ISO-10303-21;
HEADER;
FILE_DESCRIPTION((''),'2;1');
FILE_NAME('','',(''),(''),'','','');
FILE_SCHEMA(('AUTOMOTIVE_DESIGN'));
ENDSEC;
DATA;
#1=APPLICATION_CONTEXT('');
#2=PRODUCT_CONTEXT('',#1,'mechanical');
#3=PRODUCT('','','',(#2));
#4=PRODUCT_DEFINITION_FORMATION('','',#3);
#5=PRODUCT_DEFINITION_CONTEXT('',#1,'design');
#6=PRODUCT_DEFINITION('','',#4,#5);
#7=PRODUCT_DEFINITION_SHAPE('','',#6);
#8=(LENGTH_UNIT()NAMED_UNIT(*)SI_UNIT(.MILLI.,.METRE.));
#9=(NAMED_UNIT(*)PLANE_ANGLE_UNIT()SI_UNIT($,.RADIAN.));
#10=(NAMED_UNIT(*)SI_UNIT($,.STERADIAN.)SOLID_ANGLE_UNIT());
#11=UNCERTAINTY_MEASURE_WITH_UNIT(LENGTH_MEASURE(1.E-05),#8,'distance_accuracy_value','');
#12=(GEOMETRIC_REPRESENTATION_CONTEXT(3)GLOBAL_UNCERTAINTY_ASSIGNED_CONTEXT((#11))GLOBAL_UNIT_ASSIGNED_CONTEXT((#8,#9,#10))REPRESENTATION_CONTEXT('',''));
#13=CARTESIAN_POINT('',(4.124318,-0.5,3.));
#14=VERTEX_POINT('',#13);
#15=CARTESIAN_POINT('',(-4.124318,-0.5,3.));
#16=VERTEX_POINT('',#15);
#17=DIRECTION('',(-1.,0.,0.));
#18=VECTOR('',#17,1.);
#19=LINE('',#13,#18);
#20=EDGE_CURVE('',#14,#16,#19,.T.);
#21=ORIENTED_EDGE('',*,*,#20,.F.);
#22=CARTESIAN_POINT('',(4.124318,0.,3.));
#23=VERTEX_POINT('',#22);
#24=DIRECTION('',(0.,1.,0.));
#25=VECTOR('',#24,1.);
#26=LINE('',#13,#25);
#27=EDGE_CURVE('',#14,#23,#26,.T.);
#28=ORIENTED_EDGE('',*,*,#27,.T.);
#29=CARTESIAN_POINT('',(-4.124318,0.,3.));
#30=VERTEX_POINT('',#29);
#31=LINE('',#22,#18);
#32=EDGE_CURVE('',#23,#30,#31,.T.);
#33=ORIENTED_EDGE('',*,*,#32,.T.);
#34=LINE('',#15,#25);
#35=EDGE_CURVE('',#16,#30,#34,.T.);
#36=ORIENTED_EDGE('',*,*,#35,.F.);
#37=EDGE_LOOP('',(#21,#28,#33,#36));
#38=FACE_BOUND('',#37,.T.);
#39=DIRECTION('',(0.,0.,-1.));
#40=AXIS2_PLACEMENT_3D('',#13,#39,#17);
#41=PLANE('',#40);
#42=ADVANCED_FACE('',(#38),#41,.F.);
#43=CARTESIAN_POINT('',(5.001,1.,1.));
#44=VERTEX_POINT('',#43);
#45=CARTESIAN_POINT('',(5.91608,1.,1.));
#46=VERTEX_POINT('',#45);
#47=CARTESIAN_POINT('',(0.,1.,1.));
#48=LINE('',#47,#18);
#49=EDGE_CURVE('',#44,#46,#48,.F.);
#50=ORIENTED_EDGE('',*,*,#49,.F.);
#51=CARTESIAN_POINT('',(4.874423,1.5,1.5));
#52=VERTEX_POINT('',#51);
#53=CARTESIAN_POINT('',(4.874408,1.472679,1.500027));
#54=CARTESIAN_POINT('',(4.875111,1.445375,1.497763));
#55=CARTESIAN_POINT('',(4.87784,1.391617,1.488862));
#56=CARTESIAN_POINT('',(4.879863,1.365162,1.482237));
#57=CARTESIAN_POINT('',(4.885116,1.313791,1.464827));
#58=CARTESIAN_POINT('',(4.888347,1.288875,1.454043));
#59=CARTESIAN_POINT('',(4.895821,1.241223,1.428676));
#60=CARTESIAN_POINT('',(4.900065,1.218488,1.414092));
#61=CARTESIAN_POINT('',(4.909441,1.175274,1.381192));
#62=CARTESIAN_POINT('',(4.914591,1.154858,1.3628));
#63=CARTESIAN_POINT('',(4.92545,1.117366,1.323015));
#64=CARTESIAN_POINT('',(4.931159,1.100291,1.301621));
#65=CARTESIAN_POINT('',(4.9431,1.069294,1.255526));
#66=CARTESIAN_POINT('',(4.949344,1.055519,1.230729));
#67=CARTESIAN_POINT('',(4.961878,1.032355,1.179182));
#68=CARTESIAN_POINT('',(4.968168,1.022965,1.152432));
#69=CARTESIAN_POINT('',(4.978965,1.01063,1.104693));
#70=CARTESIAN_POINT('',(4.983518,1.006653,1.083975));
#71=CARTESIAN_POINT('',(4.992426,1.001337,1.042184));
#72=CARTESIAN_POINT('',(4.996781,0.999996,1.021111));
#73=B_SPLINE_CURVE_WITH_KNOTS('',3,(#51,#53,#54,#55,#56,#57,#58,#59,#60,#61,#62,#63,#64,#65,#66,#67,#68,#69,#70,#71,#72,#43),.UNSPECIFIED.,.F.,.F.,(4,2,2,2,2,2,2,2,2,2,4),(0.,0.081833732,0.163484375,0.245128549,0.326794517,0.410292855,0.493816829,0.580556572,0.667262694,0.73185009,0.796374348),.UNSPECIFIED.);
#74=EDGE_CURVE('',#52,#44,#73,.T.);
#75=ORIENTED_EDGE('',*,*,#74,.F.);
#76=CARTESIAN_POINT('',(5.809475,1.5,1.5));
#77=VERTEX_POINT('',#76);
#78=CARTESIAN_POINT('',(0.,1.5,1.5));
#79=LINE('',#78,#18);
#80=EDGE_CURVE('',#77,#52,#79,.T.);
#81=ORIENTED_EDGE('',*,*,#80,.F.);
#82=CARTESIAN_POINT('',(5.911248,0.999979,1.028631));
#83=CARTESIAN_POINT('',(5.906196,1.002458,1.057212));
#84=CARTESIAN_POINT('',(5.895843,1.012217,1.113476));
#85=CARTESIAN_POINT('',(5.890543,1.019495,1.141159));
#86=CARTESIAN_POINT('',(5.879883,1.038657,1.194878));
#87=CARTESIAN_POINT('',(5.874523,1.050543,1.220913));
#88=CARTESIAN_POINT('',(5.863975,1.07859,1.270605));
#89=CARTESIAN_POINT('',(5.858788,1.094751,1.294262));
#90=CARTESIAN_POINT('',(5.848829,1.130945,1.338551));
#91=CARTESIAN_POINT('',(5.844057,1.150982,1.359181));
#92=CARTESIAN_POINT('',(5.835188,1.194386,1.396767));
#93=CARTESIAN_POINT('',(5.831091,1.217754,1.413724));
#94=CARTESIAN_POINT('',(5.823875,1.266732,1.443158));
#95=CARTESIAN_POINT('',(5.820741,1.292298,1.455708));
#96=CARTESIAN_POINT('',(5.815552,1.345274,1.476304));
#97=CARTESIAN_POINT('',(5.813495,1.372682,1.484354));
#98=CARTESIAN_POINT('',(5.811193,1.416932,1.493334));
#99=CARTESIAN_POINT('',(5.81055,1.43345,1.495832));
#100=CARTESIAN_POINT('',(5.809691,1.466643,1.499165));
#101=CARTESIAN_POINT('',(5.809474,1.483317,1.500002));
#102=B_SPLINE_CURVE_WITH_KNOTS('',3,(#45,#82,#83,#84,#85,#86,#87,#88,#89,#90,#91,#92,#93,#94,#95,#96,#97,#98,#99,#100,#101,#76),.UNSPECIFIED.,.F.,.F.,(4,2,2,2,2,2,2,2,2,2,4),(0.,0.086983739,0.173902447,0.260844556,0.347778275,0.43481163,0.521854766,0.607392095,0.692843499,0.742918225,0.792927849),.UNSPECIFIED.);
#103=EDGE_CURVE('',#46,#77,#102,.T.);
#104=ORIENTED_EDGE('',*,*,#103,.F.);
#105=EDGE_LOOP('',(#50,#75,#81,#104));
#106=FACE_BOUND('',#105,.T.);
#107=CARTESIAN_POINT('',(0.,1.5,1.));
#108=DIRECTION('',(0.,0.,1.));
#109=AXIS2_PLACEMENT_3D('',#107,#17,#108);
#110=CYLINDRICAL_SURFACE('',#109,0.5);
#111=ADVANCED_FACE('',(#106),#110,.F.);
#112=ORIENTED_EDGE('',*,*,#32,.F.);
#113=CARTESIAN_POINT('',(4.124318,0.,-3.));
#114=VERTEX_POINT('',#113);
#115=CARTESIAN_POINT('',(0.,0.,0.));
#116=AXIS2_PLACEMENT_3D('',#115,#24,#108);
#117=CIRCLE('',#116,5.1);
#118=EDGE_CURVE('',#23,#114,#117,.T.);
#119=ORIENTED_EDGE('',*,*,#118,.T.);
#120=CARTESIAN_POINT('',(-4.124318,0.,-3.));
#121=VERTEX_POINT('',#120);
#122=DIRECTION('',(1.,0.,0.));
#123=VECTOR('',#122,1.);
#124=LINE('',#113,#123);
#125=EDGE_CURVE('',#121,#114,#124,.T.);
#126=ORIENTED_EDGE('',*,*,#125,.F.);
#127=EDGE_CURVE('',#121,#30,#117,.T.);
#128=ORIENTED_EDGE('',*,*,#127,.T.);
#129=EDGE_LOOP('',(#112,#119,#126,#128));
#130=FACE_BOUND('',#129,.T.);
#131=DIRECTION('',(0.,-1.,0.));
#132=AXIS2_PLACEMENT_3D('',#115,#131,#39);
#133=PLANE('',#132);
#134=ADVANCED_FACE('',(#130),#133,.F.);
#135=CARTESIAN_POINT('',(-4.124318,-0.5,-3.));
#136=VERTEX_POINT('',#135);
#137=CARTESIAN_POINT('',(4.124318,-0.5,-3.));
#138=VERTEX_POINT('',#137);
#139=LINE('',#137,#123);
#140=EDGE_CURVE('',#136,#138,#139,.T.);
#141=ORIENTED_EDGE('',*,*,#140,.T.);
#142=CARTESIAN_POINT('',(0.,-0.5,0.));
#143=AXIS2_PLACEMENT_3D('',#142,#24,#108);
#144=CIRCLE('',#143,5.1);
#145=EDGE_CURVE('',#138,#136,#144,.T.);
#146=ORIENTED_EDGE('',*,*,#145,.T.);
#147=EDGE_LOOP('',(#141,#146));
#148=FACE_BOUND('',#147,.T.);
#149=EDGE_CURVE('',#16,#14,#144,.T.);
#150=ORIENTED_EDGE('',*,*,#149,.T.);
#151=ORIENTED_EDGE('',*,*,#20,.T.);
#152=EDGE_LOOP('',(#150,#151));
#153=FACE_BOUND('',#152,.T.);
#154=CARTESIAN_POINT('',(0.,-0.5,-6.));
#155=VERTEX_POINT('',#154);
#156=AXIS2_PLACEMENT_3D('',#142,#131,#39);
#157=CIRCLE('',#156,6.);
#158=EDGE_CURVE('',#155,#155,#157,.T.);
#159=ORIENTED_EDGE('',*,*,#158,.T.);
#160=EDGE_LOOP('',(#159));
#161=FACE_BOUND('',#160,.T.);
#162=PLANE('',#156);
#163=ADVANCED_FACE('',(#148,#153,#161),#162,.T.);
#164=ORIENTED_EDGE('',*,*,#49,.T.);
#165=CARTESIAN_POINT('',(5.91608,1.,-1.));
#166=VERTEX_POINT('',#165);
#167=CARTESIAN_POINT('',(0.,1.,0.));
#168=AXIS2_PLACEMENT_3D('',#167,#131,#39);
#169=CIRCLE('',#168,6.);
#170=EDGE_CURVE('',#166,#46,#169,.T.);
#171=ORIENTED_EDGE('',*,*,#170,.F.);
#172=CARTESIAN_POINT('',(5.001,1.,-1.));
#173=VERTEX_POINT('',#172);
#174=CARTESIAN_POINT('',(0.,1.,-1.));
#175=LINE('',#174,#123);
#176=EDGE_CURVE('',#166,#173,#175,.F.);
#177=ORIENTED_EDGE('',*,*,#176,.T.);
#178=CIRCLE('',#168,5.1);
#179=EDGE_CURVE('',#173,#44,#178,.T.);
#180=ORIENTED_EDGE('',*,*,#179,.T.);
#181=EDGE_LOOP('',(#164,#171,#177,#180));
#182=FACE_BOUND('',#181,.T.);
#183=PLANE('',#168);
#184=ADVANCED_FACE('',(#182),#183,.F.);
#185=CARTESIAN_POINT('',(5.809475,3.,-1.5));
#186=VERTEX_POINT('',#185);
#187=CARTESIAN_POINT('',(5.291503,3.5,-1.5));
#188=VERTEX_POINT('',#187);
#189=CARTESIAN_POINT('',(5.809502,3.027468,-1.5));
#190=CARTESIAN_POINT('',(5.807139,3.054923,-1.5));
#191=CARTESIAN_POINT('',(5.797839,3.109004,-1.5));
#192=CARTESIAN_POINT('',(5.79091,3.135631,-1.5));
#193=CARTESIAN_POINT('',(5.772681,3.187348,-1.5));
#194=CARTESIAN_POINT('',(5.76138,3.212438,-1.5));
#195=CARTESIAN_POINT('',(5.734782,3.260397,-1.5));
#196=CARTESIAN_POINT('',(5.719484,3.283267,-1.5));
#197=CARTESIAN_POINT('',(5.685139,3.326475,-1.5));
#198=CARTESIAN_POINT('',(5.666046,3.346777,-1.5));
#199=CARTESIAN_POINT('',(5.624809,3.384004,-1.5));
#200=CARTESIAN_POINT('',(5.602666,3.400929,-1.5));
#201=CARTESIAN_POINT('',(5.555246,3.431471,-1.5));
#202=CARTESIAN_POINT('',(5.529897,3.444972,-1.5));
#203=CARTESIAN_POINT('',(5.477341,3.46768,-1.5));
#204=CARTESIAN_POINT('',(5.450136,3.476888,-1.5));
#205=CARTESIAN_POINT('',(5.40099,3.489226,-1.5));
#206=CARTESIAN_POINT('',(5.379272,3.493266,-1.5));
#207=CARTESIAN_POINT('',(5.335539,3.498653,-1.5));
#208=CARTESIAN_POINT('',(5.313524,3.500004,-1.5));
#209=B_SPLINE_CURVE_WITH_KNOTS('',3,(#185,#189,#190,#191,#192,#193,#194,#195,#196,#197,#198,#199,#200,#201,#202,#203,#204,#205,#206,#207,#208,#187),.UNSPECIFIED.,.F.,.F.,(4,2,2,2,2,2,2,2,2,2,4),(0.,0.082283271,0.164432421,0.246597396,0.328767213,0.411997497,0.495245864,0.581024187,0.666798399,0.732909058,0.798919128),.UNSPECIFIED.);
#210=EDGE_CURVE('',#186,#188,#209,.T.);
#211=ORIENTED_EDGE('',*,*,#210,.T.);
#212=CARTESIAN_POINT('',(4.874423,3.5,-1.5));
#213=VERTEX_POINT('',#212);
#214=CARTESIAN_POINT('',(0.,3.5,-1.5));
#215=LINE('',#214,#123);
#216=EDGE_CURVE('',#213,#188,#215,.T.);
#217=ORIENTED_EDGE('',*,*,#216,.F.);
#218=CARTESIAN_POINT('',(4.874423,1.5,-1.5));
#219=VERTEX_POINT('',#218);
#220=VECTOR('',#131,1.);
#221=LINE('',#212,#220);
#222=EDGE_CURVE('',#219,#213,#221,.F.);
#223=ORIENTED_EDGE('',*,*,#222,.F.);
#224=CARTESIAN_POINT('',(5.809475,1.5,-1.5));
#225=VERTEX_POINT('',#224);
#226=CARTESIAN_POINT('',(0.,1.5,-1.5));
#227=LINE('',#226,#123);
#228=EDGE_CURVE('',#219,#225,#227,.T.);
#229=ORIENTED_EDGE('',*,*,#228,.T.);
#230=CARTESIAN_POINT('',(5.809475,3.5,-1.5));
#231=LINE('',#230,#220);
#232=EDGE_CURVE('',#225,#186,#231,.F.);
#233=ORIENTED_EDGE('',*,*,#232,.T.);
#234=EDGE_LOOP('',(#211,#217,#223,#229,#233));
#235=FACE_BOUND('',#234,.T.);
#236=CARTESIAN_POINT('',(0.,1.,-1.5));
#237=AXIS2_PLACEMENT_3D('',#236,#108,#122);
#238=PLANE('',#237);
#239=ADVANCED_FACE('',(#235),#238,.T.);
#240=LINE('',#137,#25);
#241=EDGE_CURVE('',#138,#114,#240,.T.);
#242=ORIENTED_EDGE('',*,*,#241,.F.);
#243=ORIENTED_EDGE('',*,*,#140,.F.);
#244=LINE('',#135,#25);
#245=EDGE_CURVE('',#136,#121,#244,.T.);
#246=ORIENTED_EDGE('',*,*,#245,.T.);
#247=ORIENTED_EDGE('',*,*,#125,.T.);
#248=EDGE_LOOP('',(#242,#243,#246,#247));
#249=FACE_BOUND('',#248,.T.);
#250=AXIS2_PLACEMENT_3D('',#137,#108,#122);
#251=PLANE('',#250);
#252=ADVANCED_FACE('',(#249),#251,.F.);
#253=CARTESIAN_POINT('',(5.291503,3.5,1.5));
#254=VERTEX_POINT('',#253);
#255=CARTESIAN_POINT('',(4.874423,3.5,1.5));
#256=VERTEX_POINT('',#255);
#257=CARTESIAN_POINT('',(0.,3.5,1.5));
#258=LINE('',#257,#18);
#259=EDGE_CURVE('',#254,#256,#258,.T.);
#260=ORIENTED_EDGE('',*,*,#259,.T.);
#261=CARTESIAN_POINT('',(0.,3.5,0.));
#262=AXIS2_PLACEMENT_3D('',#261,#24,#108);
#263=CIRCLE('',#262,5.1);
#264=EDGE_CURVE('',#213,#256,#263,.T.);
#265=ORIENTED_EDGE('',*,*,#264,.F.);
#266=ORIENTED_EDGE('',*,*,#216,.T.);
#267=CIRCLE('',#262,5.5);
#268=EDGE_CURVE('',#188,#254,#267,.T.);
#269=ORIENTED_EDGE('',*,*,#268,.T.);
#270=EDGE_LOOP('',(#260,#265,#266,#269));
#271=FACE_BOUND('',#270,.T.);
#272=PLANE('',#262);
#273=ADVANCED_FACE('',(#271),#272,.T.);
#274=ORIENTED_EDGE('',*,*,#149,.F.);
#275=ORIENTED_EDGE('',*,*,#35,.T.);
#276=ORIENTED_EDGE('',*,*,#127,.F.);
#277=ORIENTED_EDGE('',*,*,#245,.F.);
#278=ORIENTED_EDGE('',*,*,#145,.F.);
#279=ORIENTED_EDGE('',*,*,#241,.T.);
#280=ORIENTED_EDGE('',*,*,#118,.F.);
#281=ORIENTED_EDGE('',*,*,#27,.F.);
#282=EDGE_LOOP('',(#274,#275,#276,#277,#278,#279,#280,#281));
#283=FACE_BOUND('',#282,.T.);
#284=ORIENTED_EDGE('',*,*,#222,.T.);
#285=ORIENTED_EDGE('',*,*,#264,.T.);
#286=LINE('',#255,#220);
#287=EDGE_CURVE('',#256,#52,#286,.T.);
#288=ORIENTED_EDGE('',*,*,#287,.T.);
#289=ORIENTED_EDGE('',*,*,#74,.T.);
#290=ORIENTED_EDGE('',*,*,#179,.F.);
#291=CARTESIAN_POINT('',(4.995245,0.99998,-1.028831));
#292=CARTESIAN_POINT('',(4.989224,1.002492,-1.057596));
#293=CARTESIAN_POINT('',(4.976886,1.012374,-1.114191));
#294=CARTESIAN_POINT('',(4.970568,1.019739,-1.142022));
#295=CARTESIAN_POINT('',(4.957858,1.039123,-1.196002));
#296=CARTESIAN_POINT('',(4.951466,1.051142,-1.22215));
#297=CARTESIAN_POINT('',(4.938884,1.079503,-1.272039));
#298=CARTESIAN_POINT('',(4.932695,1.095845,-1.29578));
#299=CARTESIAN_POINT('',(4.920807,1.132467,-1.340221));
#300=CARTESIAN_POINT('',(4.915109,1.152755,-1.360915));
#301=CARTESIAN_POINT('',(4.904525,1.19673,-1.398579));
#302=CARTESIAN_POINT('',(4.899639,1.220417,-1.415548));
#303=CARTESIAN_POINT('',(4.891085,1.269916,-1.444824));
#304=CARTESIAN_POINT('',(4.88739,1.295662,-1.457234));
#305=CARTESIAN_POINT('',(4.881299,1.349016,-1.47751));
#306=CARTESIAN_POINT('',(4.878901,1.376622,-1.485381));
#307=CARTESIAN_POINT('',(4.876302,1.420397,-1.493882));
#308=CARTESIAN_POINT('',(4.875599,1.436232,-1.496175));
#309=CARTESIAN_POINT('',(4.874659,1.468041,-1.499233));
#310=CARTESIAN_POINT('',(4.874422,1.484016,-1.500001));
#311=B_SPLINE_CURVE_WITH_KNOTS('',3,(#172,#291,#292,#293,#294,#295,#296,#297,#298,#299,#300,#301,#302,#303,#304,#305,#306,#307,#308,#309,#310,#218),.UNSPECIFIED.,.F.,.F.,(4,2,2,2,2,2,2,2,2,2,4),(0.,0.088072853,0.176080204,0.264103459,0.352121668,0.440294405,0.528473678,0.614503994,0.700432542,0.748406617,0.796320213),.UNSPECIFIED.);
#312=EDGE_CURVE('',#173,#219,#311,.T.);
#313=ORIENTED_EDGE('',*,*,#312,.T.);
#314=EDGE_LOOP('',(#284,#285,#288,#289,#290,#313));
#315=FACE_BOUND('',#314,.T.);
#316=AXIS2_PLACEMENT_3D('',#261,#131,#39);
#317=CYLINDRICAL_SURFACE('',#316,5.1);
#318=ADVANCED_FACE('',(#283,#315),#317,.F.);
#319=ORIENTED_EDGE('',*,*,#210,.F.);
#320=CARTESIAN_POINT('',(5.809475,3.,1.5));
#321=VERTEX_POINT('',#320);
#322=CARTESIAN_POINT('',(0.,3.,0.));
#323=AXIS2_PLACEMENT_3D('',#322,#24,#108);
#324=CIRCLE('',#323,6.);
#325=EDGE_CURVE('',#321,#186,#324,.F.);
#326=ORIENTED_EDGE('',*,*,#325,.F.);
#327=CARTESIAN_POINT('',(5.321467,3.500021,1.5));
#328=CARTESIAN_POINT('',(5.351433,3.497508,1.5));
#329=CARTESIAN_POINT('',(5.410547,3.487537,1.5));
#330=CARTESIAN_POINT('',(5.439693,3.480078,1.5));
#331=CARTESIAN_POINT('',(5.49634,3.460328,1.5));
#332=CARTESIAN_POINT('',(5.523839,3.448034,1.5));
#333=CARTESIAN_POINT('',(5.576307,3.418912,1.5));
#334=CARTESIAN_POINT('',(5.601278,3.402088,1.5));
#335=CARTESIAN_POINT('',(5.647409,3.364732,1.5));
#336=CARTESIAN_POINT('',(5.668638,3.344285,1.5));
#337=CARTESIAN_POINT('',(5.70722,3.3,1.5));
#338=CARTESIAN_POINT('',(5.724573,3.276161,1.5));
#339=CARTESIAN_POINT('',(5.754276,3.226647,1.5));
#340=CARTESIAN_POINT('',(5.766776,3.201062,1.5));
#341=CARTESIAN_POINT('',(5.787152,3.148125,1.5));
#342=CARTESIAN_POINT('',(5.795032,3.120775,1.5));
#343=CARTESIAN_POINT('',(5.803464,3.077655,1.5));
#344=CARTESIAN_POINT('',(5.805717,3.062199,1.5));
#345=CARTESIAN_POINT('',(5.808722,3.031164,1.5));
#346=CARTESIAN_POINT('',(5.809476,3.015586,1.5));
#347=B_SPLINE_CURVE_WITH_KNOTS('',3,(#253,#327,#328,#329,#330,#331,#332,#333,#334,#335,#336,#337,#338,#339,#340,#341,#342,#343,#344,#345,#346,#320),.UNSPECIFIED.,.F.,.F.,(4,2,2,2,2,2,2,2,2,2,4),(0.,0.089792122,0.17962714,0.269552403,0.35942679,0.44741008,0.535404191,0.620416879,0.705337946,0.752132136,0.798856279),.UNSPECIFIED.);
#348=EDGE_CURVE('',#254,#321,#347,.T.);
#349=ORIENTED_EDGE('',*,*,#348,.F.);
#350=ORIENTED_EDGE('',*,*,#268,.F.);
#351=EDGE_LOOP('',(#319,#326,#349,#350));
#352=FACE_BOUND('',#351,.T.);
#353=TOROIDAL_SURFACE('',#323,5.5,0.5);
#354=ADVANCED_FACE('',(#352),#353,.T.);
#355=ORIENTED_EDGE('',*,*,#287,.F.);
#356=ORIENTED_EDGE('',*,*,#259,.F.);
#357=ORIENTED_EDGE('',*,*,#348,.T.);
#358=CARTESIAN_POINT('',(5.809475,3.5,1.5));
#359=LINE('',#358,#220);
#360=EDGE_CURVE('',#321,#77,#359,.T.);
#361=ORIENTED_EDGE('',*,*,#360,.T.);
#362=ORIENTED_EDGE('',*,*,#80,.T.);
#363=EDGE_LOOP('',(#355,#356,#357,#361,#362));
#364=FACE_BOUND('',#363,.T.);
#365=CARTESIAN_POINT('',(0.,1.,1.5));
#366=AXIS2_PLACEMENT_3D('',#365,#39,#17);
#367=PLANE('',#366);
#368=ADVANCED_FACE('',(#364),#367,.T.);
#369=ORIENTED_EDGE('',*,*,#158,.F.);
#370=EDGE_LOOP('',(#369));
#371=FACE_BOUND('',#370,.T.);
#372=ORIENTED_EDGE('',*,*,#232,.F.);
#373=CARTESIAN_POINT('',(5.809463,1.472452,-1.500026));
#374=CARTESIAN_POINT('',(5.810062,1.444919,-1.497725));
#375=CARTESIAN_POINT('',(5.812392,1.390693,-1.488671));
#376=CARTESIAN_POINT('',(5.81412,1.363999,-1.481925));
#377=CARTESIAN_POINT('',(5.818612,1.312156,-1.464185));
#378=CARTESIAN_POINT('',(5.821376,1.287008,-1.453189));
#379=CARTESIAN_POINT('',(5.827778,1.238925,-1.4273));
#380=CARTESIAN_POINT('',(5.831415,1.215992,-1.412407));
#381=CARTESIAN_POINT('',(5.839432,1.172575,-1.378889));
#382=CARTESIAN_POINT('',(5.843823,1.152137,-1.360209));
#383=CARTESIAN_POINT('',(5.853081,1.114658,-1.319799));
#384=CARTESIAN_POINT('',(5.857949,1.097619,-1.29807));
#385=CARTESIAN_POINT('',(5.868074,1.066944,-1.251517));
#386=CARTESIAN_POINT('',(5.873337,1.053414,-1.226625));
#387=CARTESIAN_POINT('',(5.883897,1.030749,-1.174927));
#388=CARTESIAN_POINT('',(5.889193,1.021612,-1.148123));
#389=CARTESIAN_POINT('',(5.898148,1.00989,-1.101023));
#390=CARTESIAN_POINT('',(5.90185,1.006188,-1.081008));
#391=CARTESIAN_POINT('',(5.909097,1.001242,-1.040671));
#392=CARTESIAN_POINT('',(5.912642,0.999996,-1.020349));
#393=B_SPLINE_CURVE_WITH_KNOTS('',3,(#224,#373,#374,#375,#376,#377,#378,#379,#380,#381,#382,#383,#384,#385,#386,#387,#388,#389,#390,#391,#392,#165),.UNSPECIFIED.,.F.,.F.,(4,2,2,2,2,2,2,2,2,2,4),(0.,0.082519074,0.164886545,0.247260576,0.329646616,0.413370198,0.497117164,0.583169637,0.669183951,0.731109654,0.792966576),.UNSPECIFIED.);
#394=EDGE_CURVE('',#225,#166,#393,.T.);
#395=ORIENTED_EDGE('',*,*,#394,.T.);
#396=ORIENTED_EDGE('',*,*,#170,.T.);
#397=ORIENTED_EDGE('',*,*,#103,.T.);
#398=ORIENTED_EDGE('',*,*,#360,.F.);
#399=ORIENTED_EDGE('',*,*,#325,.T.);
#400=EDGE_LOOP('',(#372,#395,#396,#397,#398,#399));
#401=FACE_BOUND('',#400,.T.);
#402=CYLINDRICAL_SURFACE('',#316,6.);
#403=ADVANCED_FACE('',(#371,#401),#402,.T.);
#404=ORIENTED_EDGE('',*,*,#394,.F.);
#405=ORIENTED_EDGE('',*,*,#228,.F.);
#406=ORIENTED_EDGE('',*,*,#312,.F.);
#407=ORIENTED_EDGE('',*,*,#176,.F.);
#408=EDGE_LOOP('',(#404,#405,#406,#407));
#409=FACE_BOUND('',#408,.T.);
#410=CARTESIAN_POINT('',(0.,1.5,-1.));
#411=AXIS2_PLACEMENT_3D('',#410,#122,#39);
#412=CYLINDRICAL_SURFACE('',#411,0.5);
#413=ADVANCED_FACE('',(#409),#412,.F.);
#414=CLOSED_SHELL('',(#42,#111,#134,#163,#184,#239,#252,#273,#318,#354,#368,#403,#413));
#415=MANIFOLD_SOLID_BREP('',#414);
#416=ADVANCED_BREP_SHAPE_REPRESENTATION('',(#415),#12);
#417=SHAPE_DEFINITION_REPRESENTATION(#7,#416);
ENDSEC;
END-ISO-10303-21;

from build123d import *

# Parameters (mm, degrees)
SKETCH1_R           = 6
SKETCH1_R_2         = 5.1
BOSS_EXTRUDE1_DEPTH = 3.5
SKETCH4_R           = 6
BOSS_EXTRUDE2_DEPTH = 0.5
SKETCH5_W           = 6
SKETCH5_H           = 3
CUT_EXTRUDE3_DEPTH  = 2.5
CUT_EXTRUDE4_DEPTH  = 1.5
FILLET1_R           = 0.5


with BuildPart() as part:
    # Sketch1 → Boss-Extrude1 (new body)
    with BuildSketch(Plane(origin=(0, 0, 0), x_dir=(1, 0, 0), z_dir=(0, 1, 0))):
        Circle(SKETCH1_R)
        Circle(SKETCH1_R_2, mode=Mode.SUBTRACT)
    extrude(amount=BOSS_EXTRUDE1_DEPTH)

    # Sketch4 → Boss-Extrude2 (add)
    with BuildSketch(Plane.XZ):
        Circle(SKETCH4_R)
    extrude(amount=BOSS_EXTRUDE2_DEPTH)

    # Sketch5 → Cut-Extrude3 (cut)
    with BuildSketch(Plane.XZ.offset(-3.5)):
        with Locations((3, 0)):
            Rectangle(SKETCH5_W, SKETCH5_H)
    extrude(amount=CUT_EXTRUDE3_DEPTH, mode=Mode.SUBTRACT)

    # Sketch7 → Cut-Extrude4 (cut, through all)
    with BuildSketch(Plane(origin=(0, 0, 0), x_dir=(1, 0, 0), z_dir=(0, 1, 0))):
        with BuildLine():
            Line((4.124318125, -3), (-4.124318125, -3))
            ThreePointArc((-4.124318125, -3), (0, -5.1), (4.124318125, -3))
        make_face()
        with BuildLine():
            Line((4.124318125, 3), (-4.124318125, 3))
            ThreePointArc((-4.124318125, 3), (0, 5.1), (4.124318125, 3))
        make_face()
    extrude(amount=-CUT_EXTRUDE4_DEPTH, mode=Mode.SUBTRACT)

    # Fillet1
    fillet1_edges = [part.edges().sort_by_distance(p)[0] for p in [
        (-6, 3.5, 0),
        (5.341949031, 1, -1.5),
        (5.341949031, 1, 1.5),
    ]]
    fillet(fillet1_edges, radius=FILLET1_R)


solid = part.part
